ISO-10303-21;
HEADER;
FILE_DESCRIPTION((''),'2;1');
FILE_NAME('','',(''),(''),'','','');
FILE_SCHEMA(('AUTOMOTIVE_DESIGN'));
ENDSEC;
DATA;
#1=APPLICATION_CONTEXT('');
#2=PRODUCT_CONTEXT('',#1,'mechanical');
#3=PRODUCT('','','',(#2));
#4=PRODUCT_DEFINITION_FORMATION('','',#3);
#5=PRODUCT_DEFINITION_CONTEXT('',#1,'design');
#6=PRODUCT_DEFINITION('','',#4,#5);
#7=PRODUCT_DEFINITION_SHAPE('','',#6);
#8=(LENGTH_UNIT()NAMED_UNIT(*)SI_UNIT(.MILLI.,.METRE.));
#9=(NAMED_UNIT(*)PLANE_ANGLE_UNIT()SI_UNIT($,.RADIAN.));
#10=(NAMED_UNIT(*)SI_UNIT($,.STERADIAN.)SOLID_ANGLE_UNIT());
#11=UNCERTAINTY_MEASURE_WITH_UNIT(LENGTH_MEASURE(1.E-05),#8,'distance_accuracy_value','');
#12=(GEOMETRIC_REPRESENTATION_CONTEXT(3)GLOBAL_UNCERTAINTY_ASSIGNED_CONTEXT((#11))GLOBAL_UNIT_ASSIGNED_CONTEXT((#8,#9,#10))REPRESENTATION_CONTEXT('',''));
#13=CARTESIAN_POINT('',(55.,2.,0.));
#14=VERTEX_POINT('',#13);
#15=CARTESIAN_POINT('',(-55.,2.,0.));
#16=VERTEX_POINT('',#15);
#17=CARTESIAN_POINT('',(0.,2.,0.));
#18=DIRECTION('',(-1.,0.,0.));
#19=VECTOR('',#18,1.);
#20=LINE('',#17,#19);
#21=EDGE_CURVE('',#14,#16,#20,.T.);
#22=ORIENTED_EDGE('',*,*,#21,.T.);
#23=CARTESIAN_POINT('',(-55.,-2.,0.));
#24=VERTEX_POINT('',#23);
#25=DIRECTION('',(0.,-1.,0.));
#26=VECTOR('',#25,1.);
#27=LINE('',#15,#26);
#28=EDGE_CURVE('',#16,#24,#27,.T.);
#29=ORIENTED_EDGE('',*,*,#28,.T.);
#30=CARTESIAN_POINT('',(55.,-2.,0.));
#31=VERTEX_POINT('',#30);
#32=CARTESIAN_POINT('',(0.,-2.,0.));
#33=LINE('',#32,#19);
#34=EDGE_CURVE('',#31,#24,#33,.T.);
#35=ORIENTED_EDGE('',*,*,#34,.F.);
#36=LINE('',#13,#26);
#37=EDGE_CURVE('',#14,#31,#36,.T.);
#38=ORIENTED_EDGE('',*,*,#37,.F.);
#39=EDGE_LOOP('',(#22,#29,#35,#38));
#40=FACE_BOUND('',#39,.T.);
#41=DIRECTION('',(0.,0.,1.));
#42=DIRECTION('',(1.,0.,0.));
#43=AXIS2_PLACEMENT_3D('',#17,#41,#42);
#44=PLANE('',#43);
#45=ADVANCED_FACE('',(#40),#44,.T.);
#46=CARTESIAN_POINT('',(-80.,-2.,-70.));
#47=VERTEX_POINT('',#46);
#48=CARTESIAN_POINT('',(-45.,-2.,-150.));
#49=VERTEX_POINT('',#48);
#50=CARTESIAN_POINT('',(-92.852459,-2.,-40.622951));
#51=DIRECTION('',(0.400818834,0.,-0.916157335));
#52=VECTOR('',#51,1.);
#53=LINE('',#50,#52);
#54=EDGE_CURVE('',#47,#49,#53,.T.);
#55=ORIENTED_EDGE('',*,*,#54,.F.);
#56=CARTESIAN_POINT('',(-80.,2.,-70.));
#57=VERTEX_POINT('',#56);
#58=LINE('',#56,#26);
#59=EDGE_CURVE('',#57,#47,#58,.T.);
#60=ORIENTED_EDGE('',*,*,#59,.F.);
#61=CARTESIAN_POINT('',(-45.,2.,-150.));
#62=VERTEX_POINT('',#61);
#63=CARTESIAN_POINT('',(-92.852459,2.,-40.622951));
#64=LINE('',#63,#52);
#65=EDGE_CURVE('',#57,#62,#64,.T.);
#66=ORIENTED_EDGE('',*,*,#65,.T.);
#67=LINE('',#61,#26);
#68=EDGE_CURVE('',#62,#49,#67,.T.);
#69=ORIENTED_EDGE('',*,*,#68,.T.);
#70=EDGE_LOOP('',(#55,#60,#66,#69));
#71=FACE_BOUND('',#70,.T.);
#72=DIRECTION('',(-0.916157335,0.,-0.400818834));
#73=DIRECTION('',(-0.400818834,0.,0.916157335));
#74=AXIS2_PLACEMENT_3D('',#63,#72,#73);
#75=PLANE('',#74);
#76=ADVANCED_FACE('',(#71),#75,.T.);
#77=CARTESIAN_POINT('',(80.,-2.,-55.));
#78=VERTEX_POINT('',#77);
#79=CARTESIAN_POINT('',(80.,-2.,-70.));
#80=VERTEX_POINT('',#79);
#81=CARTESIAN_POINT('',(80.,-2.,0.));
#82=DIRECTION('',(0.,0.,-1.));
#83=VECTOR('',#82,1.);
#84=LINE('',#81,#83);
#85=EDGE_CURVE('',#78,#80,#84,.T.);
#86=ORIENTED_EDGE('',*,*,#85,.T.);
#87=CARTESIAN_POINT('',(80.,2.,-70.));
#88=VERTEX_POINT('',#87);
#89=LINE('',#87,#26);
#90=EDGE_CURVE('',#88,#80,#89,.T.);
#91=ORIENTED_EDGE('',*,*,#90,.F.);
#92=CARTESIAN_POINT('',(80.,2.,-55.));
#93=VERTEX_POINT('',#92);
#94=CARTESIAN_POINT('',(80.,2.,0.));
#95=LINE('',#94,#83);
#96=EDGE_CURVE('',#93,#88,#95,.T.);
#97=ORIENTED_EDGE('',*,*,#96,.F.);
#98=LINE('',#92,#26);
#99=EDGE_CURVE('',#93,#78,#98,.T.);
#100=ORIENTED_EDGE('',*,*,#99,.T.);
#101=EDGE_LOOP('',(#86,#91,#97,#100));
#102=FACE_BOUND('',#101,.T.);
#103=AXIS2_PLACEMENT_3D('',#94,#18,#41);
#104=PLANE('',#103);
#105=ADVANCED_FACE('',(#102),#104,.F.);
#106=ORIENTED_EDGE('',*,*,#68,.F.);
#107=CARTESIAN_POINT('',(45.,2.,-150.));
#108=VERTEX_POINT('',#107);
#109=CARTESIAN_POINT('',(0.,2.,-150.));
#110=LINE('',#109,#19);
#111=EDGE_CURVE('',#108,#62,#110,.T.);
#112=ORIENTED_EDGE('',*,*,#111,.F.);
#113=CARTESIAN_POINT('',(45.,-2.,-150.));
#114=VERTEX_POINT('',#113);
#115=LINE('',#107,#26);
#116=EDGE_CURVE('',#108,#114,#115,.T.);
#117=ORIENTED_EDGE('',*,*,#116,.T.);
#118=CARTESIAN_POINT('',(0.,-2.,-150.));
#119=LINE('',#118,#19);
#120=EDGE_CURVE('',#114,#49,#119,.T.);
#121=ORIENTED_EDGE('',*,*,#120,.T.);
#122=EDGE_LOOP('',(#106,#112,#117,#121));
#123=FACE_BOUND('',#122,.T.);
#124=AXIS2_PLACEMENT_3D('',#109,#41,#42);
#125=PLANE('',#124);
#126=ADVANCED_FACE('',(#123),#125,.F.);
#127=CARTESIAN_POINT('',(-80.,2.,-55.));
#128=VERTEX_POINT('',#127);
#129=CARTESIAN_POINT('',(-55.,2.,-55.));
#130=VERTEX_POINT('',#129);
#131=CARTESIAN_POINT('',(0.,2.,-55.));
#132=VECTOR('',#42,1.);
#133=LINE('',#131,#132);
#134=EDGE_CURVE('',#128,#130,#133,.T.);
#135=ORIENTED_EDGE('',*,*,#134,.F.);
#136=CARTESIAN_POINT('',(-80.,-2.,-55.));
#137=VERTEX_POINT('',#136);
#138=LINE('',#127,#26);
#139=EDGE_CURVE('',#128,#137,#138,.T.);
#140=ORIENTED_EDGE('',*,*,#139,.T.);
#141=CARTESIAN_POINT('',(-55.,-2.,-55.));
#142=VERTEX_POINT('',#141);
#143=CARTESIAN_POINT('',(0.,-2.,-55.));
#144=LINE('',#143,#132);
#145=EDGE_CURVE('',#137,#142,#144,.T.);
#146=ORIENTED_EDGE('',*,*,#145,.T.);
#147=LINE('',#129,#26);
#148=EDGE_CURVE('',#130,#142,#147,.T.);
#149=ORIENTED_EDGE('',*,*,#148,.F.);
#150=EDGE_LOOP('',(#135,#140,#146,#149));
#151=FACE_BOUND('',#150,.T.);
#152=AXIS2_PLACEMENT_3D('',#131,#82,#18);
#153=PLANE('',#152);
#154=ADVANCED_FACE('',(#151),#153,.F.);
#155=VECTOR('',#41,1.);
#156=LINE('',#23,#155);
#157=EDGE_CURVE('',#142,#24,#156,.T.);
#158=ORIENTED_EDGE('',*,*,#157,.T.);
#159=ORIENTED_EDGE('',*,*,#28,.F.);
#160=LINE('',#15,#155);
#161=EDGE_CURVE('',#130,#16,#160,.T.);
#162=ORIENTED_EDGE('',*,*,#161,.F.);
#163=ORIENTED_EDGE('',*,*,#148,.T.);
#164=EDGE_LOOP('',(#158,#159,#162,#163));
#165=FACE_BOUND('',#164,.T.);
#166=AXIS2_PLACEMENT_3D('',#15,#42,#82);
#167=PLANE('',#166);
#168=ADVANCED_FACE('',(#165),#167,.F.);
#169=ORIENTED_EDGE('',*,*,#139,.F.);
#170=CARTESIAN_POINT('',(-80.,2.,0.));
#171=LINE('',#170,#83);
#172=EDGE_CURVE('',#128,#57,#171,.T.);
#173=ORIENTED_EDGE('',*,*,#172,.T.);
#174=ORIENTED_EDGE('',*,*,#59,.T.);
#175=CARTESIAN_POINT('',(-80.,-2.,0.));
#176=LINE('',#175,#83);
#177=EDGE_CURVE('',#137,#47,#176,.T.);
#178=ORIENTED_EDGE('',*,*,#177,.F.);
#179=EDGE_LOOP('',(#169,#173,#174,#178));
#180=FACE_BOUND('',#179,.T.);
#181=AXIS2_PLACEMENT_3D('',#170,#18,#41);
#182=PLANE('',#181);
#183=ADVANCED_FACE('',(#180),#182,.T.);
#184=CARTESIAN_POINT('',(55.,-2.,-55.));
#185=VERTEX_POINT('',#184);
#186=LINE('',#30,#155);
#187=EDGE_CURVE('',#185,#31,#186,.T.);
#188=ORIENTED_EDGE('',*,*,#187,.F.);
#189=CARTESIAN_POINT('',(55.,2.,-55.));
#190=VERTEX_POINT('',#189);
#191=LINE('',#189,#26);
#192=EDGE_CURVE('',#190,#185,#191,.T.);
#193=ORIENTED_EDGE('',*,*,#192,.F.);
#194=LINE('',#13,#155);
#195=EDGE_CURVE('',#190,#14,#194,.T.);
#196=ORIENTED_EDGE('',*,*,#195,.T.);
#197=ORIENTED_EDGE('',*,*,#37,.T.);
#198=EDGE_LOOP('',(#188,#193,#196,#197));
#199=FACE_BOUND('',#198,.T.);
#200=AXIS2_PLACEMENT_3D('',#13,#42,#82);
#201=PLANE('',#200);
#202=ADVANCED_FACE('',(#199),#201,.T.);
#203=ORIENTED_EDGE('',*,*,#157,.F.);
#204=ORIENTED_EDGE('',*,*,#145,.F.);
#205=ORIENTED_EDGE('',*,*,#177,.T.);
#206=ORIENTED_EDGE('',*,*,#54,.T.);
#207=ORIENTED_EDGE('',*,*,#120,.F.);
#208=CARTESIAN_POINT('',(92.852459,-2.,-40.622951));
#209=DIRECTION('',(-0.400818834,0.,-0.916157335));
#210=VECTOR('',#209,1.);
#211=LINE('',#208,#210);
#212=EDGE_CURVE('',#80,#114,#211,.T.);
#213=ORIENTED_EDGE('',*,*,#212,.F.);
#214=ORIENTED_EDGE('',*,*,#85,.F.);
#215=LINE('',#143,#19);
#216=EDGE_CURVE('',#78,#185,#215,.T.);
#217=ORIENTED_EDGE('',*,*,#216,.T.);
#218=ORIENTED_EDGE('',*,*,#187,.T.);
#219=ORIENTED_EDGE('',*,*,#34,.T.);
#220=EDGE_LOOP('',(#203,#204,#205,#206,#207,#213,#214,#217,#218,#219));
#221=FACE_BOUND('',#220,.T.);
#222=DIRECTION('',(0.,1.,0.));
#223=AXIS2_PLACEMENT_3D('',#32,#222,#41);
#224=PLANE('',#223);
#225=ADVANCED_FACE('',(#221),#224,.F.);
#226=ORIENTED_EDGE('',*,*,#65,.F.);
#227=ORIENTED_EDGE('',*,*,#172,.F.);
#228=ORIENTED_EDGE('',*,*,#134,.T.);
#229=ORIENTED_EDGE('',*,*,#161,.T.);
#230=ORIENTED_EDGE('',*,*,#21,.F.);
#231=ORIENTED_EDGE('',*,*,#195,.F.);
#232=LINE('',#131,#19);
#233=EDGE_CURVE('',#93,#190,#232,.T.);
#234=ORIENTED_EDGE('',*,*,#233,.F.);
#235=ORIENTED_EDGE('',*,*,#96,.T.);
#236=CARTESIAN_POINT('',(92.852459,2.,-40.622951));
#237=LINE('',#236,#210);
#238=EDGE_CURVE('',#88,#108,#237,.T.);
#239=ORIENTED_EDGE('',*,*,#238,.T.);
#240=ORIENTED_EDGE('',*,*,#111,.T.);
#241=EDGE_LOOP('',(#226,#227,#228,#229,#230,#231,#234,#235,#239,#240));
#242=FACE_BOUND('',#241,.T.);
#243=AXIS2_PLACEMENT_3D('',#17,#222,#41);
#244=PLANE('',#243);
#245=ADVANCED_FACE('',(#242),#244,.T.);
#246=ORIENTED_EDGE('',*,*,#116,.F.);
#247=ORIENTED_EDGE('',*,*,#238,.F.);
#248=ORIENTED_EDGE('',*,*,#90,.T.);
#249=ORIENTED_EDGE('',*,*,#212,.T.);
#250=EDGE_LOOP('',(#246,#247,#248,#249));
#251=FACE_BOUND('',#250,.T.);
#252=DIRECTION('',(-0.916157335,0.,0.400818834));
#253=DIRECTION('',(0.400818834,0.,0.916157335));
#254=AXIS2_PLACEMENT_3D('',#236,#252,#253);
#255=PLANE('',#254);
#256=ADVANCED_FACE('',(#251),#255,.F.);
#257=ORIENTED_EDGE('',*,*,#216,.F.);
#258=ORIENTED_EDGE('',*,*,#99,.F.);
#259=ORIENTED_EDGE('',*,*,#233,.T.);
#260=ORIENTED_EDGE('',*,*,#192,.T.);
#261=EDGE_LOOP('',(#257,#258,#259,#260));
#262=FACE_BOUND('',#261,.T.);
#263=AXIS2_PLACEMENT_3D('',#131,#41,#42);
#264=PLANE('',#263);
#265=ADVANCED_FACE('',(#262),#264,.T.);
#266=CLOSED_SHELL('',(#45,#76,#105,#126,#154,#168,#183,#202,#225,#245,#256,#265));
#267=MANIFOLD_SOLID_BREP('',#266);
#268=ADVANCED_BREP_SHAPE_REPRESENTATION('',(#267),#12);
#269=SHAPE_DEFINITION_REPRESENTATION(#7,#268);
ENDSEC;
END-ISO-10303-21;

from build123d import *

# Parameters (mm, degrees)
SALIENTE_EXTRUIR1_DEPTH = 2


with BuildPart() as part:
    # Croquis1 → Saliente-Extruir1 (new, symmetric)
    with BuildSketch(Plane(origin=(0, 0, 0), x_dir=(1, 0, 0), z_dir=(0, 1, 0))):
        Polygon((-55, 0), (0, 0), (0, 150), (-45, 150), (-80, 70), (-80, 55), (-55, 55), align=None)
        Polygon((0, 150), (0, 0), (55, 0), (55, 55), (80, 55), (80, 70), (45, 150), align=None)
    extrude(amount=SALIENTE_EXTRUIR1_DEPTH, both=True)


solid = part.part
